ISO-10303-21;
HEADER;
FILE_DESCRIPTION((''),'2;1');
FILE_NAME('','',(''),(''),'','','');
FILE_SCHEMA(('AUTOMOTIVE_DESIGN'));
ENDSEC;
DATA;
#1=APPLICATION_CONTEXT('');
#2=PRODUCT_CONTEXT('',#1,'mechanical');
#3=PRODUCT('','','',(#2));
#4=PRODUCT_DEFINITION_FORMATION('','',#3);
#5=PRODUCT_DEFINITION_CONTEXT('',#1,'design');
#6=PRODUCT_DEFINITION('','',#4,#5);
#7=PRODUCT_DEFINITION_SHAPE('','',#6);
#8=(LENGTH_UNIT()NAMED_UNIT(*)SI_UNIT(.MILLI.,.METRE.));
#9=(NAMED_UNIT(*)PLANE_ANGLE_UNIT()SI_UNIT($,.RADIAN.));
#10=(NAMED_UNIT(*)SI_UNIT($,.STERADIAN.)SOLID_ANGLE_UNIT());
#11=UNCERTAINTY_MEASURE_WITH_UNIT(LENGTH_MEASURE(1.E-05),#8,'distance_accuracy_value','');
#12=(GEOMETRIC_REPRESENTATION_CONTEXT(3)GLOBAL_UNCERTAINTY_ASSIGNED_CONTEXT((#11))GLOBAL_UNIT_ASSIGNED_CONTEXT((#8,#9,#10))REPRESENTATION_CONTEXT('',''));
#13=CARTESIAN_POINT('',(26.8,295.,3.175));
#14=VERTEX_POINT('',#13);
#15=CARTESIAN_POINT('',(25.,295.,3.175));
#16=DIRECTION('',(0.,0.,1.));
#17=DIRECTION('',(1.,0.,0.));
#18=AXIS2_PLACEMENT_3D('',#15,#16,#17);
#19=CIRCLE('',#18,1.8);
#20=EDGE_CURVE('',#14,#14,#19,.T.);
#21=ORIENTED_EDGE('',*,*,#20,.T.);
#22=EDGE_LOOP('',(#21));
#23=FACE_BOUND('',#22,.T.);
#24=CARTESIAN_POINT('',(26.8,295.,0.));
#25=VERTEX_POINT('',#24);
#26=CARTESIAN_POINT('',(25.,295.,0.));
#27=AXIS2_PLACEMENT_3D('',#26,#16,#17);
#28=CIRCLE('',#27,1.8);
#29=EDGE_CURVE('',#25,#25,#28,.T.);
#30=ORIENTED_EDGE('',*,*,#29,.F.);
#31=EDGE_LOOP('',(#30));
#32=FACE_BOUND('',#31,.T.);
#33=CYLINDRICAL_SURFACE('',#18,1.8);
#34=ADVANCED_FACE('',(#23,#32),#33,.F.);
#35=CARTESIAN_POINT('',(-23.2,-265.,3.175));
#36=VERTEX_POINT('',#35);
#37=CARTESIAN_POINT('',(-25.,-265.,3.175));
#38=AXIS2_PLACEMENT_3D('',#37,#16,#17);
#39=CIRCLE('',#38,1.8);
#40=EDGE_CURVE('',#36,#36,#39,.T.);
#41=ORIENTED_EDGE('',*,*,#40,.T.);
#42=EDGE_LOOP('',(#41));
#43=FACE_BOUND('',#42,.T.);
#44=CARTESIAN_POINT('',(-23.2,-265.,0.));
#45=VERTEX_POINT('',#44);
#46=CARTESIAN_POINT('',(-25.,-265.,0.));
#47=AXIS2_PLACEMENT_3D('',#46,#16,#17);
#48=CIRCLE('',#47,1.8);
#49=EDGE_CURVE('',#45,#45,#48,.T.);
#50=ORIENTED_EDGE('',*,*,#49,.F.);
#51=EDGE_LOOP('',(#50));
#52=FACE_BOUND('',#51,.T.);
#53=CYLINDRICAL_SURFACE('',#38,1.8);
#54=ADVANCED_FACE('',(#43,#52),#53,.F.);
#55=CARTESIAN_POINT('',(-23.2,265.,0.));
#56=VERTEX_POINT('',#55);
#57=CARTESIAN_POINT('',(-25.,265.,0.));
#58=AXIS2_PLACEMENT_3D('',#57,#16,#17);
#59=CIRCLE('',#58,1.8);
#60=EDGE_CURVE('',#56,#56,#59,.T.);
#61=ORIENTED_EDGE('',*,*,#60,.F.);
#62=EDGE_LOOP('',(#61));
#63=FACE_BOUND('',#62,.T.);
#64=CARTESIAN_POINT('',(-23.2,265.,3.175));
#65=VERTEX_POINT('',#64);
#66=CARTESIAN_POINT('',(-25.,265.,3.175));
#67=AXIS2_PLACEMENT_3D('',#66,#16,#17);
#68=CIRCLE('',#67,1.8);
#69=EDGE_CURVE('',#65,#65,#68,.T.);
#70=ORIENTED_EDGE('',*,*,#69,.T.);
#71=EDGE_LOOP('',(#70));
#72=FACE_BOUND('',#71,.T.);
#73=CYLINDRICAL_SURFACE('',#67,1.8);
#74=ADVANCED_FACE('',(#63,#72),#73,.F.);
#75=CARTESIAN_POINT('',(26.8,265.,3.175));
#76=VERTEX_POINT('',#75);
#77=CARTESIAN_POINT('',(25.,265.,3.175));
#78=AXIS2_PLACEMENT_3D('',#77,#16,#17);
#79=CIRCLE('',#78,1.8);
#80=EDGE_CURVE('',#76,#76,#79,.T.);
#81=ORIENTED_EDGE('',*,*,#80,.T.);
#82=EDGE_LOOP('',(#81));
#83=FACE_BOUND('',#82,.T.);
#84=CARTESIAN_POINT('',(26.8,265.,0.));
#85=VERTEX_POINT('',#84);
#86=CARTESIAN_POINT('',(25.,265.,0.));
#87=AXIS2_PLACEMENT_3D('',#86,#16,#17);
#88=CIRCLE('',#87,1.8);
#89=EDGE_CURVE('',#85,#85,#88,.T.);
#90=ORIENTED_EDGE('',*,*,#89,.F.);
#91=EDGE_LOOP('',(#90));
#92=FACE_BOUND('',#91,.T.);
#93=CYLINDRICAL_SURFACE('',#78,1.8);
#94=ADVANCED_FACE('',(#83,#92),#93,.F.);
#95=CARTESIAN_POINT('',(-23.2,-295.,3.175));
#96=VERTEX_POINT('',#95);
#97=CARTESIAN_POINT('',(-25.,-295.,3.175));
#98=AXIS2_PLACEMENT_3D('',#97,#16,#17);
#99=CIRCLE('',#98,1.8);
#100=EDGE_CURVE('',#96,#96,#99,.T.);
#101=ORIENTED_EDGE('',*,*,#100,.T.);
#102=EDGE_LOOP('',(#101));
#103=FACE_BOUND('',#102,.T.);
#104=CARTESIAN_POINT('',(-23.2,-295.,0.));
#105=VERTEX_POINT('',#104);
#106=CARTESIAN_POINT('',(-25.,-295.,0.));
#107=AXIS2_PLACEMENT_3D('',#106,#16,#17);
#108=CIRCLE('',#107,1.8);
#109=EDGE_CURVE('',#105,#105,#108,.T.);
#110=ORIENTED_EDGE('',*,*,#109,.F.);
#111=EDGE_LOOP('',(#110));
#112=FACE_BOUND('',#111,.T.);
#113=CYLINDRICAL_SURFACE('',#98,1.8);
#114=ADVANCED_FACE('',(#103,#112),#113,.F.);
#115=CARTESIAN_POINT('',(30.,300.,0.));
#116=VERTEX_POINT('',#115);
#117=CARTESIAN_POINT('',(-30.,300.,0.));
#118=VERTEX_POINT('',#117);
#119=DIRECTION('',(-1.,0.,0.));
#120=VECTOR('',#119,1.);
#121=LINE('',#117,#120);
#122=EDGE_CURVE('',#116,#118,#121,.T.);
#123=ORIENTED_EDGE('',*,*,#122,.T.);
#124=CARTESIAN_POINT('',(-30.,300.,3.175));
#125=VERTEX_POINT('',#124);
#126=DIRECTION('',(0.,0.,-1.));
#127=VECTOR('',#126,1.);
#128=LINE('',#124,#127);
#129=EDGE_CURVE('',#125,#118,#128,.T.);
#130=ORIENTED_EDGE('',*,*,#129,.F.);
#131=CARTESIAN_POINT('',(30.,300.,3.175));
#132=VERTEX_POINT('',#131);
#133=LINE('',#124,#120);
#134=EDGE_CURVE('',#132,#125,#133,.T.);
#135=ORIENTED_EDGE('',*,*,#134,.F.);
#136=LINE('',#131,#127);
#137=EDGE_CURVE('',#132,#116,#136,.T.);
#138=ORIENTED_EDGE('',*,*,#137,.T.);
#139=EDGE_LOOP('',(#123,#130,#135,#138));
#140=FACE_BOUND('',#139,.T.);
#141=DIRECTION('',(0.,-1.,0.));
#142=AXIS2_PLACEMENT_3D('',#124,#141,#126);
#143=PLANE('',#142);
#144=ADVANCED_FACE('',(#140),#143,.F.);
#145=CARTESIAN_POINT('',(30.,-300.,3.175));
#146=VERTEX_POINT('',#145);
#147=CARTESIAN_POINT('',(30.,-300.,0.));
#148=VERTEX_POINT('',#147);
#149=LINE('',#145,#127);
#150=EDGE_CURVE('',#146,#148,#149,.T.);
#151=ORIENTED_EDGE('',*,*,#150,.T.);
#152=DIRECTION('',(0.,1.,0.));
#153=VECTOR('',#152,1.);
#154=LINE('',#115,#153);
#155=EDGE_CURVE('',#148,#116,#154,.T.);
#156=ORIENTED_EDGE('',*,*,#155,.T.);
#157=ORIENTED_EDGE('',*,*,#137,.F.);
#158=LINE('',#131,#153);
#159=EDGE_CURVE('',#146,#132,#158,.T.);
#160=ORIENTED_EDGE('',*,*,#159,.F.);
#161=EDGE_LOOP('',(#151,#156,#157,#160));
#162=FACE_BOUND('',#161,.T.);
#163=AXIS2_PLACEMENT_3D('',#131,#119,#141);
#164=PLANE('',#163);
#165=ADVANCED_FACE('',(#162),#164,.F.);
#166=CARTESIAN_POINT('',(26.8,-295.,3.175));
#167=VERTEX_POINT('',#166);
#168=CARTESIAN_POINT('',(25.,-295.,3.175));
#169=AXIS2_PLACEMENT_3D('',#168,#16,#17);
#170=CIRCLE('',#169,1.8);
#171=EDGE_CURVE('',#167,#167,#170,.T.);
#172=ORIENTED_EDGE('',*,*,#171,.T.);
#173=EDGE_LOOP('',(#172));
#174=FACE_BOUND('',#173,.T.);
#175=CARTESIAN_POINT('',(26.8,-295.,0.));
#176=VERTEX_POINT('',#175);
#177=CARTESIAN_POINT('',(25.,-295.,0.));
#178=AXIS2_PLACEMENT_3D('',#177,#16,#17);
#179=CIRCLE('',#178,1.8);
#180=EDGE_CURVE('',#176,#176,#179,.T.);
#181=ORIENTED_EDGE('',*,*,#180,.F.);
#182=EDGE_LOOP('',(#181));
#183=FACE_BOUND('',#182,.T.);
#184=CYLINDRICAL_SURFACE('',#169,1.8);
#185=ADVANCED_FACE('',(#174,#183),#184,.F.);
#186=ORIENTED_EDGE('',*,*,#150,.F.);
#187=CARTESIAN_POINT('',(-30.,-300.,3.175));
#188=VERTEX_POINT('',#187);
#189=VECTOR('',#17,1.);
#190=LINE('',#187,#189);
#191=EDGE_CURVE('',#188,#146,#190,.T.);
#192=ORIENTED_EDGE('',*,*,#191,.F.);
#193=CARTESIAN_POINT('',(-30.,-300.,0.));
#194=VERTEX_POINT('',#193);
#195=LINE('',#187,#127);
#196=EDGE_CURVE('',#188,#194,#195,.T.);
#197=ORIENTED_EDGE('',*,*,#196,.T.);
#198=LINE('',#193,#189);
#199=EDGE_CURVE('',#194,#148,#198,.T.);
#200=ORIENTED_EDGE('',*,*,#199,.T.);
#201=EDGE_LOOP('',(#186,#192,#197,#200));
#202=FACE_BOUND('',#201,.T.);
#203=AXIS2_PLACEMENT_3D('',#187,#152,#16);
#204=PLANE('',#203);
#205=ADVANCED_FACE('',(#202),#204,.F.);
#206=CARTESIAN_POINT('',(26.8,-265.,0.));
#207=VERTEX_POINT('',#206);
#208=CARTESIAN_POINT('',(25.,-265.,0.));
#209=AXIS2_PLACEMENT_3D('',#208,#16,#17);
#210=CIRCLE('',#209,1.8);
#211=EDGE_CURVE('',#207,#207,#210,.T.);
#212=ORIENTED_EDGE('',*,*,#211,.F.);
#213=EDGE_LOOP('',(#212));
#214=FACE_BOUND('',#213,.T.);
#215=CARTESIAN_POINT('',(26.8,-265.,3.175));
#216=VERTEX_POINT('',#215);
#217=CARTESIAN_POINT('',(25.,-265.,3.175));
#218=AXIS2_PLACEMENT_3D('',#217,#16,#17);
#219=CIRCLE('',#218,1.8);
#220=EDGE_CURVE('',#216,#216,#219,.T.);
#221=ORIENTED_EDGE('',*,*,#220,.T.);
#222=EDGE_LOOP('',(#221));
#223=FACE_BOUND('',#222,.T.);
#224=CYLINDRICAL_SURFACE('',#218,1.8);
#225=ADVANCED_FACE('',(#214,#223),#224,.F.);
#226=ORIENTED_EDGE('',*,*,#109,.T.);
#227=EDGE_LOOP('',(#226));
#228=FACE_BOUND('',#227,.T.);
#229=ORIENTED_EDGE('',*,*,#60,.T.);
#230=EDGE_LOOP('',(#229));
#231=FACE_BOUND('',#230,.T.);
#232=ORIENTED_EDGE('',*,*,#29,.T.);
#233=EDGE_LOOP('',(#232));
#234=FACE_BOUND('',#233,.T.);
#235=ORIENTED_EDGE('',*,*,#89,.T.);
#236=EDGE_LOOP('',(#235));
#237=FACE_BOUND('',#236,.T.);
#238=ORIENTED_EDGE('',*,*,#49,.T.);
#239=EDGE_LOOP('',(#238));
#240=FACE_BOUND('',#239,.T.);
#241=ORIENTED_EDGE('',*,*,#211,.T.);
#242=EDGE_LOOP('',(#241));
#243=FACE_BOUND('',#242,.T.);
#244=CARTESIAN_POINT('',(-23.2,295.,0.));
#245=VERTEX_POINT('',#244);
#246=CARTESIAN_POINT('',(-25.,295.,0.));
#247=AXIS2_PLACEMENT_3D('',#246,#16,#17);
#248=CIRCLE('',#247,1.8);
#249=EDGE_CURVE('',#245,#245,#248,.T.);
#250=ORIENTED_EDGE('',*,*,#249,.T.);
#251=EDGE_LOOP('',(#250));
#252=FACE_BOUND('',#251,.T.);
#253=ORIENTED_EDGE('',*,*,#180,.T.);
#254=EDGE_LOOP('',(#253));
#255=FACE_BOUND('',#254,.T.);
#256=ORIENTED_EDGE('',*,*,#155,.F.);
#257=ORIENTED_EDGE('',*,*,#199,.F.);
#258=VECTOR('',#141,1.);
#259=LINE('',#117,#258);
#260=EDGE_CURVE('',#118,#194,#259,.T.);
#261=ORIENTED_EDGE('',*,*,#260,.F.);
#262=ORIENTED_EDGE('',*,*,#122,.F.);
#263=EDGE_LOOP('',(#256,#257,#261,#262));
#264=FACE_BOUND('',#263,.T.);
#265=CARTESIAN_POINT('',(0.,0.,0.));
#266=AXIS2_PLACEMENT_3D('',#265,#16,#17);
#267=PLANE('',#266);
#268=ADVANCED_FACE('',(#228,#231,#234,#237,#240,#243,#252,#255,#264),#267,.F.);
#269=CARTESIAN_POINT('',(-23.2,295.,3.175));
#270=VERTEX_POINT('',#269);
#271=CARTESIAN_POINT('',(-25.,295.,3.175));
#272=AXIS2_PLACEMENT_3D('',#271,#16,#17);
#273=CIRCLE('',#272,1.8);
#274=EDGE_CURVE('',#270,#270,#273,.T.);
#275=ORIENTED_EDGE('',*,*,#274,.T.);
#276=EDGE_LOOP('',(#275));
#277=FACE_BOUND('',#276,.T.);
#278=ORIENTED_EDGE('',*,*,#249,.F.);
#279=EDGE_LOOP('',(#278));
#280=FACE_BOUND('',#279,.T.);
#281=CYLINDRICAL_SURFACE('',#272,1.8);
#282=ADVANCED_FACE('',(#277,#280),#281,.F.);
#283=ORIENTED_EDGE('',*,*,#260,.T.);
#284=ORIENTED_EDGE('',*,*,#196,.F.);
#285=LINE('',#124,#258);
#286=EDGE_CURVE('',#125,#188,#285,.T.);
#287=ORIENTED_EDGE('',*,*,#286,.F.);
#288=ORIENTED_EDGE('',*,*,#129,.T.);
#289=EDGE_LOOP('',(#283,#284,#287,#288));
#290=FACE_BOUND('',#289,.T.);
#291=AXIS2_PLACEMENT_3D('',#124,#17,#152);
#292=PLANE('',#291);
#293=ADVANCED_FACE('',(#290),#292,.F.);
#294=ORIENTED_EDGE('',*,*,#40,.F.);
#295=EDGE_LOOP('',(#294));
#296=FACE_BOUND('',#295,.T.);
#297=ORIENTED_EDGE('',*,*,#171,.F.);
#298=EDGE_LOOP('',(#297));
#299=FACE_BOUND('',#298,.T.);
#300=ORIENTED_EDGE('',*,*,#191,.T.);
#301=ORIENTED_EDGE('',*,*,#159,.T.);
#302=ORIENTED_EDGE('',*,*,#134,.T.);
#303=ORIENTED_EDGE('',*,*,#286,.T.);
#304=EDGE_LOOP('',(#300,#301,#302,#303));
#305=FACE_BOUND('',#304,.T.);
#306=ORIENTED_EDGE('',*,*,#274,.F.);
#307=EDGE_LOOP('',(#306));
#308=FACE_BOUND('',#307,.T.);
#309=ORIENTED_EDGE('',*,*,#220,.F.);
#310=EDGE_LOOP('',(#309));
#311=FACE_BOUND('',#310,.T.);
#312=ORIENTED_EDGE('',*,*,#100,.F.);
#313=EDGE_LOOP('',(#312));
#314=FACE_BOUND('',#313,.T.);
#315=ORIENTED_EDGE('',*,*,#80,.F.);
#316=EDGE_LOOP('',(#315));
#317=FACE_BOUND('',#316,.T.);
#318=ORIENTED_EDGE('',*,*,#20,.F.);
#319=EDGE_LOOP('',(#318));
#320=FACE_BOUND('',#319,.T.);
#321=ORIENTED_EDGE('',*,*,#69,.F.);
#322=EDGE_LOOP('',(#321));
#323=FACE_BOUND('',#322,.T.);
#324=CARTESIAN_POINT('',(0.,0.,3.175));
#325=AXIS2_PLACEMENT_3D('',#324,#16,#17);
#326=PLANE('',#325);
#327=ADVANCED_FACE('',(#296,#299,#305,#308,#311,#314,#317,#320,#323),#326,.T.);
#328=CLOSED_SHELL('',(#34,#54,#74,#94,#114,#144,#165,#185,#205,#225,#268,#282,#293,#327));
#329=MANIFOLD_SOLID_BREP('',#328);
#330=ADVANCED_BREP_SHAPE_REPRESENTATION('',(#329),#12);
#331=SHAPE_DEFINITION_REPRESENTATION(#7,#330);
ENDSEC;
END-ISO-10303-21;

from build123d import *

# Parameters (mm, degrees)
SKETCH2_W                = 60
SKETCH2_H                = 600
BOSS_EXTRUDE1_DEPTH      = 3.175
M3_CLEARANCE_HOLE1_D     = 3.6
M3_CLEARANCE_HOLE1_DEPTH = 3.918450886
M3_CLEARANCE_HOLE1_TIP   = 1.081549114


with BuildPart() as part:
    # Sketch2 → Boss-Extrude1 (new body)
    with BuildSketch(Plane.XY):
        Rectangle(SKETCH2_W, SKETCH2_H)
    extrude(amount=BOSS_EXTRUDE1_DEPTH)

    # M3 Clearance Hole1
    with Locations(Plane.XY.offset(3.175)):
        with Locations((25, -295), (-25, -265), (-25, -295), (25, -265), (-25, 265), (-25, 295), (25, 295), (25, 265)):
            Hole(M3_CLEARANCE_HOLE1_D / 2, depth=M3_CLEARANCE_HOLE1_DEPTH)
            with Locations((0, 0, -(M3_CLEARANCE_HOLE1_DEPTH + M3_CLEARANCE_HOLE1_TIP / 2))):  # 118° drill point
                Cone(0, M3_CLEARANCE_HOLE1_D / 2, M3_CLEARANCE_HOLE1_TIP, mode=Mode.SUBTRACT)


solid = part.part
